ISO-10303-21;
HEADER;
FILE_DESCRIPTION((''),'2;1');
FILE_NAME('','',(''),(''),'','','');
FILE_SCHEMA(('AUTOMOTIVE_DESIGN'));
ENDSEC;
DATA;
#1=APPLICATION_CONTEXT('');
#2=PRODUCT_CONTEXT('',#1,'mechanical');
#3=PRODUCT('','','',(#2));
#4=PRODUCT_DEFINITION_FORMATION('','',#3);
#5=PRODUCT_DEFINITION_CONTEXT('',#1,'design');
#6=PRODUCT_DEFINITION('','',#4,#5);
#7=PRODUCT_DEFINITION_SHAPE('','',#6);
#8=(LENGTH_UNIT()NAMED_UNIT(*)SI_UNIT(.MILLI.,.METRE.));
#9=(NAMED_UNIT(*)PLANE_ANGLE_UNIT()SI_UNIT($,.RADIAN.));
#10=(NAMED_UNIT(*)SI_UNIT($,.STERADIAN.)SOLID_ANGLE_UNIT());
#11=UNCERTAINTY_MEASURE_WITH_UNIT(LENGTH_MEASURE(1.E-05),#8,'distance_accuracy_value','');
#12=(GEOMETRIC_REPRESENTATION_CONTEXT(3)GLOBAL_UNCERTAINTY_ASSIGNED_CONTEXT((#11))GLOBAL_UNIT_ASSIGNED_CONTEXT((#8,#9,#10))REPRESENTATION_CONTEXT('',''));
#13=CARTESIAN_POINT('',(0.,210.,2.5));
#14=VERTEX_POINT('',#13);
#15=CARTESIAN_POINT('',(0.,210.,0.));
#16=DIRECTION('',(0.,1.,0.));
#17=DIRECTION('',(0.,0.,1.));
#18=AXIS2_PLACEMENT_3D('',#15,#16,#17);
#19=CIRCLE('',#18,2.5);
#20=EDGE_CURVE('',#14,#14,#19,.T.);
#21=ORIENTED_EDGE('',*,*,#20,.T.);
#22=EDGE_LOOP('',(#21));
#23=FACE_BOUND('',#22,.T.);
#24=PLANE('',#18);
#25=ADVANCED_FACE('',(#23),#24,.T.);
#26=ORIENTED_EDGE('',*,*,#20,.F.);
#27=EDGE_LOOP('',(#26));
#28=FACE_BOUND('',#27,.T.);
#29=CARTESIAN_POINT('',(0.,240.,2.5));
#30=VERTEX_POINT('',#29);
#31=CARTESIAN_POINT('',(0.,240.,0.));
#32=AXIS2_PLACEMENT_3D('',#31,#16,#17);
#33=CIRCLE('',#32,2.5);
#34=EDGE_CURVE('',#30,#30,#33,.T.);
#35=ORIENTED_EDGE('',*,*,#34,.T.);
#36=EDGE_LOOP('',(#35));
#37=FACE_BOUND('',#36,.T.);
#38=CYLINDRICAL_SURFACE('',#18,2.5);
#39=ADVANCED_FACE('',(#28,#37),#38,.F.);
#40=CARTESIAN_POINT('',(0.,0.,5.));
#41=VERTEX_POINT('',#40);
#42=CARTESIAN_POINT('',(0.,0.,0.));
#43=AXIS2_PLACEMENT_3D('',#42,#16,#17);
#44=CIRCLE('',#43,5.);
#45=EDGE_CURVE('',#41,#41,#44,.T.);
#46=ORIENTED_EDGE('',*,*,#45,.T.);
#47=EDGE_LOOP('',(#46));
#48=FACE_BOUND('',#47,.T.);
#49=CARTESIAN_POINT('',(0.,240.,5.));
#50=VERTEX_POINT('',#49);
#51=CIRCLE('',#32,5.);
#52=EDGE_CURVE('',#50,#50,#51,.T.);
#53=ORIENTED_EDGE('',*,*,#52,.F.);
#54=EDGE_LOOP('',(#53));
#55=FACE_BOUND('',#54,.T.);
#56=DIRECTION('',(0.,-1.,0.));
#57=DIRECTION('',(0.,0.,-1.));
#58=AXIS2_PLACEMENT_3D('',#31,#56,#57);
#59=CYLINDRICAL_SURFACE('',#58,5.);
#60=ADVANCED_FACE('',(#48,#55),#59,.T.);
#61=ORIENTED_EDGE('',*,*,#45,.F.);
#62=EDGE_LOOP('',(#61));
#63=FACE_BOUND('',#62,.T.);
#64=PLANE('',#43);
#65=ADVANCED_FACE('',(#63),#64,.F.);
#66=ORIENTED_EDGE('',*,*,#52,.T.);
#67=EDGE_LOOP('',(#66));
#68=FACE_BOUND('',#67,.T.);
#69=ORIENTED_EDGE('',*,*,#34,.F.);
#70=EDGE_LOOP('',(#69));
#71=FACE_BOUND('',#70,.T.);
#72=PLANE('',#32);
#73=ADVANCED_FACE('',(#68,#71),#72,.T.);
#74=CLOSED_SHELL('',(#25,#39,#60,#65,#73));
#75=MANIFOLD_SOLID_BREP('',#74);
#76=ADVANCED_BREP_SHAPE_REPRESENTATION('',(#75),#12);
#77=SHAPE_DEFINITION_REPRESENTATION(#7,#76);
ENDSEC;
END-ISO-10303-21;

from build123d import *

# Parameters (mm, degrees)
SKETCH1_R           = 5
BOSS_EXTRUDE1_DEPTH = 240
SKETCH2_R           = 2.5
CUT_EXTRUDE1_DEPTH  = 30


with BuildPart() as part:
    # Sketch1 → Boss-Extrude1 (new body)
    with BuildSketch(Plane(origin=(0, 0, 0), x_dir=(1, 0, 0), z_dir=(0, 1, 0))):
        Circle(SKETCH1_R)
    extrude(amount=BOSS_EXTRUDE1_DEPTH)

    # Sketch2 → Cut-Extrude1 (cut)
    with BuildSketch(Plane(origin=(0, 240, 0), x_dir=(1, 0, 0), z_dir=(0, 1, 0))):
        Circle(SKETCH2_R)
    extrude(amount=-CUT_EXTRUDE1_DEPTH, mode=Mode.SUBTRACT)


solid = part.part
